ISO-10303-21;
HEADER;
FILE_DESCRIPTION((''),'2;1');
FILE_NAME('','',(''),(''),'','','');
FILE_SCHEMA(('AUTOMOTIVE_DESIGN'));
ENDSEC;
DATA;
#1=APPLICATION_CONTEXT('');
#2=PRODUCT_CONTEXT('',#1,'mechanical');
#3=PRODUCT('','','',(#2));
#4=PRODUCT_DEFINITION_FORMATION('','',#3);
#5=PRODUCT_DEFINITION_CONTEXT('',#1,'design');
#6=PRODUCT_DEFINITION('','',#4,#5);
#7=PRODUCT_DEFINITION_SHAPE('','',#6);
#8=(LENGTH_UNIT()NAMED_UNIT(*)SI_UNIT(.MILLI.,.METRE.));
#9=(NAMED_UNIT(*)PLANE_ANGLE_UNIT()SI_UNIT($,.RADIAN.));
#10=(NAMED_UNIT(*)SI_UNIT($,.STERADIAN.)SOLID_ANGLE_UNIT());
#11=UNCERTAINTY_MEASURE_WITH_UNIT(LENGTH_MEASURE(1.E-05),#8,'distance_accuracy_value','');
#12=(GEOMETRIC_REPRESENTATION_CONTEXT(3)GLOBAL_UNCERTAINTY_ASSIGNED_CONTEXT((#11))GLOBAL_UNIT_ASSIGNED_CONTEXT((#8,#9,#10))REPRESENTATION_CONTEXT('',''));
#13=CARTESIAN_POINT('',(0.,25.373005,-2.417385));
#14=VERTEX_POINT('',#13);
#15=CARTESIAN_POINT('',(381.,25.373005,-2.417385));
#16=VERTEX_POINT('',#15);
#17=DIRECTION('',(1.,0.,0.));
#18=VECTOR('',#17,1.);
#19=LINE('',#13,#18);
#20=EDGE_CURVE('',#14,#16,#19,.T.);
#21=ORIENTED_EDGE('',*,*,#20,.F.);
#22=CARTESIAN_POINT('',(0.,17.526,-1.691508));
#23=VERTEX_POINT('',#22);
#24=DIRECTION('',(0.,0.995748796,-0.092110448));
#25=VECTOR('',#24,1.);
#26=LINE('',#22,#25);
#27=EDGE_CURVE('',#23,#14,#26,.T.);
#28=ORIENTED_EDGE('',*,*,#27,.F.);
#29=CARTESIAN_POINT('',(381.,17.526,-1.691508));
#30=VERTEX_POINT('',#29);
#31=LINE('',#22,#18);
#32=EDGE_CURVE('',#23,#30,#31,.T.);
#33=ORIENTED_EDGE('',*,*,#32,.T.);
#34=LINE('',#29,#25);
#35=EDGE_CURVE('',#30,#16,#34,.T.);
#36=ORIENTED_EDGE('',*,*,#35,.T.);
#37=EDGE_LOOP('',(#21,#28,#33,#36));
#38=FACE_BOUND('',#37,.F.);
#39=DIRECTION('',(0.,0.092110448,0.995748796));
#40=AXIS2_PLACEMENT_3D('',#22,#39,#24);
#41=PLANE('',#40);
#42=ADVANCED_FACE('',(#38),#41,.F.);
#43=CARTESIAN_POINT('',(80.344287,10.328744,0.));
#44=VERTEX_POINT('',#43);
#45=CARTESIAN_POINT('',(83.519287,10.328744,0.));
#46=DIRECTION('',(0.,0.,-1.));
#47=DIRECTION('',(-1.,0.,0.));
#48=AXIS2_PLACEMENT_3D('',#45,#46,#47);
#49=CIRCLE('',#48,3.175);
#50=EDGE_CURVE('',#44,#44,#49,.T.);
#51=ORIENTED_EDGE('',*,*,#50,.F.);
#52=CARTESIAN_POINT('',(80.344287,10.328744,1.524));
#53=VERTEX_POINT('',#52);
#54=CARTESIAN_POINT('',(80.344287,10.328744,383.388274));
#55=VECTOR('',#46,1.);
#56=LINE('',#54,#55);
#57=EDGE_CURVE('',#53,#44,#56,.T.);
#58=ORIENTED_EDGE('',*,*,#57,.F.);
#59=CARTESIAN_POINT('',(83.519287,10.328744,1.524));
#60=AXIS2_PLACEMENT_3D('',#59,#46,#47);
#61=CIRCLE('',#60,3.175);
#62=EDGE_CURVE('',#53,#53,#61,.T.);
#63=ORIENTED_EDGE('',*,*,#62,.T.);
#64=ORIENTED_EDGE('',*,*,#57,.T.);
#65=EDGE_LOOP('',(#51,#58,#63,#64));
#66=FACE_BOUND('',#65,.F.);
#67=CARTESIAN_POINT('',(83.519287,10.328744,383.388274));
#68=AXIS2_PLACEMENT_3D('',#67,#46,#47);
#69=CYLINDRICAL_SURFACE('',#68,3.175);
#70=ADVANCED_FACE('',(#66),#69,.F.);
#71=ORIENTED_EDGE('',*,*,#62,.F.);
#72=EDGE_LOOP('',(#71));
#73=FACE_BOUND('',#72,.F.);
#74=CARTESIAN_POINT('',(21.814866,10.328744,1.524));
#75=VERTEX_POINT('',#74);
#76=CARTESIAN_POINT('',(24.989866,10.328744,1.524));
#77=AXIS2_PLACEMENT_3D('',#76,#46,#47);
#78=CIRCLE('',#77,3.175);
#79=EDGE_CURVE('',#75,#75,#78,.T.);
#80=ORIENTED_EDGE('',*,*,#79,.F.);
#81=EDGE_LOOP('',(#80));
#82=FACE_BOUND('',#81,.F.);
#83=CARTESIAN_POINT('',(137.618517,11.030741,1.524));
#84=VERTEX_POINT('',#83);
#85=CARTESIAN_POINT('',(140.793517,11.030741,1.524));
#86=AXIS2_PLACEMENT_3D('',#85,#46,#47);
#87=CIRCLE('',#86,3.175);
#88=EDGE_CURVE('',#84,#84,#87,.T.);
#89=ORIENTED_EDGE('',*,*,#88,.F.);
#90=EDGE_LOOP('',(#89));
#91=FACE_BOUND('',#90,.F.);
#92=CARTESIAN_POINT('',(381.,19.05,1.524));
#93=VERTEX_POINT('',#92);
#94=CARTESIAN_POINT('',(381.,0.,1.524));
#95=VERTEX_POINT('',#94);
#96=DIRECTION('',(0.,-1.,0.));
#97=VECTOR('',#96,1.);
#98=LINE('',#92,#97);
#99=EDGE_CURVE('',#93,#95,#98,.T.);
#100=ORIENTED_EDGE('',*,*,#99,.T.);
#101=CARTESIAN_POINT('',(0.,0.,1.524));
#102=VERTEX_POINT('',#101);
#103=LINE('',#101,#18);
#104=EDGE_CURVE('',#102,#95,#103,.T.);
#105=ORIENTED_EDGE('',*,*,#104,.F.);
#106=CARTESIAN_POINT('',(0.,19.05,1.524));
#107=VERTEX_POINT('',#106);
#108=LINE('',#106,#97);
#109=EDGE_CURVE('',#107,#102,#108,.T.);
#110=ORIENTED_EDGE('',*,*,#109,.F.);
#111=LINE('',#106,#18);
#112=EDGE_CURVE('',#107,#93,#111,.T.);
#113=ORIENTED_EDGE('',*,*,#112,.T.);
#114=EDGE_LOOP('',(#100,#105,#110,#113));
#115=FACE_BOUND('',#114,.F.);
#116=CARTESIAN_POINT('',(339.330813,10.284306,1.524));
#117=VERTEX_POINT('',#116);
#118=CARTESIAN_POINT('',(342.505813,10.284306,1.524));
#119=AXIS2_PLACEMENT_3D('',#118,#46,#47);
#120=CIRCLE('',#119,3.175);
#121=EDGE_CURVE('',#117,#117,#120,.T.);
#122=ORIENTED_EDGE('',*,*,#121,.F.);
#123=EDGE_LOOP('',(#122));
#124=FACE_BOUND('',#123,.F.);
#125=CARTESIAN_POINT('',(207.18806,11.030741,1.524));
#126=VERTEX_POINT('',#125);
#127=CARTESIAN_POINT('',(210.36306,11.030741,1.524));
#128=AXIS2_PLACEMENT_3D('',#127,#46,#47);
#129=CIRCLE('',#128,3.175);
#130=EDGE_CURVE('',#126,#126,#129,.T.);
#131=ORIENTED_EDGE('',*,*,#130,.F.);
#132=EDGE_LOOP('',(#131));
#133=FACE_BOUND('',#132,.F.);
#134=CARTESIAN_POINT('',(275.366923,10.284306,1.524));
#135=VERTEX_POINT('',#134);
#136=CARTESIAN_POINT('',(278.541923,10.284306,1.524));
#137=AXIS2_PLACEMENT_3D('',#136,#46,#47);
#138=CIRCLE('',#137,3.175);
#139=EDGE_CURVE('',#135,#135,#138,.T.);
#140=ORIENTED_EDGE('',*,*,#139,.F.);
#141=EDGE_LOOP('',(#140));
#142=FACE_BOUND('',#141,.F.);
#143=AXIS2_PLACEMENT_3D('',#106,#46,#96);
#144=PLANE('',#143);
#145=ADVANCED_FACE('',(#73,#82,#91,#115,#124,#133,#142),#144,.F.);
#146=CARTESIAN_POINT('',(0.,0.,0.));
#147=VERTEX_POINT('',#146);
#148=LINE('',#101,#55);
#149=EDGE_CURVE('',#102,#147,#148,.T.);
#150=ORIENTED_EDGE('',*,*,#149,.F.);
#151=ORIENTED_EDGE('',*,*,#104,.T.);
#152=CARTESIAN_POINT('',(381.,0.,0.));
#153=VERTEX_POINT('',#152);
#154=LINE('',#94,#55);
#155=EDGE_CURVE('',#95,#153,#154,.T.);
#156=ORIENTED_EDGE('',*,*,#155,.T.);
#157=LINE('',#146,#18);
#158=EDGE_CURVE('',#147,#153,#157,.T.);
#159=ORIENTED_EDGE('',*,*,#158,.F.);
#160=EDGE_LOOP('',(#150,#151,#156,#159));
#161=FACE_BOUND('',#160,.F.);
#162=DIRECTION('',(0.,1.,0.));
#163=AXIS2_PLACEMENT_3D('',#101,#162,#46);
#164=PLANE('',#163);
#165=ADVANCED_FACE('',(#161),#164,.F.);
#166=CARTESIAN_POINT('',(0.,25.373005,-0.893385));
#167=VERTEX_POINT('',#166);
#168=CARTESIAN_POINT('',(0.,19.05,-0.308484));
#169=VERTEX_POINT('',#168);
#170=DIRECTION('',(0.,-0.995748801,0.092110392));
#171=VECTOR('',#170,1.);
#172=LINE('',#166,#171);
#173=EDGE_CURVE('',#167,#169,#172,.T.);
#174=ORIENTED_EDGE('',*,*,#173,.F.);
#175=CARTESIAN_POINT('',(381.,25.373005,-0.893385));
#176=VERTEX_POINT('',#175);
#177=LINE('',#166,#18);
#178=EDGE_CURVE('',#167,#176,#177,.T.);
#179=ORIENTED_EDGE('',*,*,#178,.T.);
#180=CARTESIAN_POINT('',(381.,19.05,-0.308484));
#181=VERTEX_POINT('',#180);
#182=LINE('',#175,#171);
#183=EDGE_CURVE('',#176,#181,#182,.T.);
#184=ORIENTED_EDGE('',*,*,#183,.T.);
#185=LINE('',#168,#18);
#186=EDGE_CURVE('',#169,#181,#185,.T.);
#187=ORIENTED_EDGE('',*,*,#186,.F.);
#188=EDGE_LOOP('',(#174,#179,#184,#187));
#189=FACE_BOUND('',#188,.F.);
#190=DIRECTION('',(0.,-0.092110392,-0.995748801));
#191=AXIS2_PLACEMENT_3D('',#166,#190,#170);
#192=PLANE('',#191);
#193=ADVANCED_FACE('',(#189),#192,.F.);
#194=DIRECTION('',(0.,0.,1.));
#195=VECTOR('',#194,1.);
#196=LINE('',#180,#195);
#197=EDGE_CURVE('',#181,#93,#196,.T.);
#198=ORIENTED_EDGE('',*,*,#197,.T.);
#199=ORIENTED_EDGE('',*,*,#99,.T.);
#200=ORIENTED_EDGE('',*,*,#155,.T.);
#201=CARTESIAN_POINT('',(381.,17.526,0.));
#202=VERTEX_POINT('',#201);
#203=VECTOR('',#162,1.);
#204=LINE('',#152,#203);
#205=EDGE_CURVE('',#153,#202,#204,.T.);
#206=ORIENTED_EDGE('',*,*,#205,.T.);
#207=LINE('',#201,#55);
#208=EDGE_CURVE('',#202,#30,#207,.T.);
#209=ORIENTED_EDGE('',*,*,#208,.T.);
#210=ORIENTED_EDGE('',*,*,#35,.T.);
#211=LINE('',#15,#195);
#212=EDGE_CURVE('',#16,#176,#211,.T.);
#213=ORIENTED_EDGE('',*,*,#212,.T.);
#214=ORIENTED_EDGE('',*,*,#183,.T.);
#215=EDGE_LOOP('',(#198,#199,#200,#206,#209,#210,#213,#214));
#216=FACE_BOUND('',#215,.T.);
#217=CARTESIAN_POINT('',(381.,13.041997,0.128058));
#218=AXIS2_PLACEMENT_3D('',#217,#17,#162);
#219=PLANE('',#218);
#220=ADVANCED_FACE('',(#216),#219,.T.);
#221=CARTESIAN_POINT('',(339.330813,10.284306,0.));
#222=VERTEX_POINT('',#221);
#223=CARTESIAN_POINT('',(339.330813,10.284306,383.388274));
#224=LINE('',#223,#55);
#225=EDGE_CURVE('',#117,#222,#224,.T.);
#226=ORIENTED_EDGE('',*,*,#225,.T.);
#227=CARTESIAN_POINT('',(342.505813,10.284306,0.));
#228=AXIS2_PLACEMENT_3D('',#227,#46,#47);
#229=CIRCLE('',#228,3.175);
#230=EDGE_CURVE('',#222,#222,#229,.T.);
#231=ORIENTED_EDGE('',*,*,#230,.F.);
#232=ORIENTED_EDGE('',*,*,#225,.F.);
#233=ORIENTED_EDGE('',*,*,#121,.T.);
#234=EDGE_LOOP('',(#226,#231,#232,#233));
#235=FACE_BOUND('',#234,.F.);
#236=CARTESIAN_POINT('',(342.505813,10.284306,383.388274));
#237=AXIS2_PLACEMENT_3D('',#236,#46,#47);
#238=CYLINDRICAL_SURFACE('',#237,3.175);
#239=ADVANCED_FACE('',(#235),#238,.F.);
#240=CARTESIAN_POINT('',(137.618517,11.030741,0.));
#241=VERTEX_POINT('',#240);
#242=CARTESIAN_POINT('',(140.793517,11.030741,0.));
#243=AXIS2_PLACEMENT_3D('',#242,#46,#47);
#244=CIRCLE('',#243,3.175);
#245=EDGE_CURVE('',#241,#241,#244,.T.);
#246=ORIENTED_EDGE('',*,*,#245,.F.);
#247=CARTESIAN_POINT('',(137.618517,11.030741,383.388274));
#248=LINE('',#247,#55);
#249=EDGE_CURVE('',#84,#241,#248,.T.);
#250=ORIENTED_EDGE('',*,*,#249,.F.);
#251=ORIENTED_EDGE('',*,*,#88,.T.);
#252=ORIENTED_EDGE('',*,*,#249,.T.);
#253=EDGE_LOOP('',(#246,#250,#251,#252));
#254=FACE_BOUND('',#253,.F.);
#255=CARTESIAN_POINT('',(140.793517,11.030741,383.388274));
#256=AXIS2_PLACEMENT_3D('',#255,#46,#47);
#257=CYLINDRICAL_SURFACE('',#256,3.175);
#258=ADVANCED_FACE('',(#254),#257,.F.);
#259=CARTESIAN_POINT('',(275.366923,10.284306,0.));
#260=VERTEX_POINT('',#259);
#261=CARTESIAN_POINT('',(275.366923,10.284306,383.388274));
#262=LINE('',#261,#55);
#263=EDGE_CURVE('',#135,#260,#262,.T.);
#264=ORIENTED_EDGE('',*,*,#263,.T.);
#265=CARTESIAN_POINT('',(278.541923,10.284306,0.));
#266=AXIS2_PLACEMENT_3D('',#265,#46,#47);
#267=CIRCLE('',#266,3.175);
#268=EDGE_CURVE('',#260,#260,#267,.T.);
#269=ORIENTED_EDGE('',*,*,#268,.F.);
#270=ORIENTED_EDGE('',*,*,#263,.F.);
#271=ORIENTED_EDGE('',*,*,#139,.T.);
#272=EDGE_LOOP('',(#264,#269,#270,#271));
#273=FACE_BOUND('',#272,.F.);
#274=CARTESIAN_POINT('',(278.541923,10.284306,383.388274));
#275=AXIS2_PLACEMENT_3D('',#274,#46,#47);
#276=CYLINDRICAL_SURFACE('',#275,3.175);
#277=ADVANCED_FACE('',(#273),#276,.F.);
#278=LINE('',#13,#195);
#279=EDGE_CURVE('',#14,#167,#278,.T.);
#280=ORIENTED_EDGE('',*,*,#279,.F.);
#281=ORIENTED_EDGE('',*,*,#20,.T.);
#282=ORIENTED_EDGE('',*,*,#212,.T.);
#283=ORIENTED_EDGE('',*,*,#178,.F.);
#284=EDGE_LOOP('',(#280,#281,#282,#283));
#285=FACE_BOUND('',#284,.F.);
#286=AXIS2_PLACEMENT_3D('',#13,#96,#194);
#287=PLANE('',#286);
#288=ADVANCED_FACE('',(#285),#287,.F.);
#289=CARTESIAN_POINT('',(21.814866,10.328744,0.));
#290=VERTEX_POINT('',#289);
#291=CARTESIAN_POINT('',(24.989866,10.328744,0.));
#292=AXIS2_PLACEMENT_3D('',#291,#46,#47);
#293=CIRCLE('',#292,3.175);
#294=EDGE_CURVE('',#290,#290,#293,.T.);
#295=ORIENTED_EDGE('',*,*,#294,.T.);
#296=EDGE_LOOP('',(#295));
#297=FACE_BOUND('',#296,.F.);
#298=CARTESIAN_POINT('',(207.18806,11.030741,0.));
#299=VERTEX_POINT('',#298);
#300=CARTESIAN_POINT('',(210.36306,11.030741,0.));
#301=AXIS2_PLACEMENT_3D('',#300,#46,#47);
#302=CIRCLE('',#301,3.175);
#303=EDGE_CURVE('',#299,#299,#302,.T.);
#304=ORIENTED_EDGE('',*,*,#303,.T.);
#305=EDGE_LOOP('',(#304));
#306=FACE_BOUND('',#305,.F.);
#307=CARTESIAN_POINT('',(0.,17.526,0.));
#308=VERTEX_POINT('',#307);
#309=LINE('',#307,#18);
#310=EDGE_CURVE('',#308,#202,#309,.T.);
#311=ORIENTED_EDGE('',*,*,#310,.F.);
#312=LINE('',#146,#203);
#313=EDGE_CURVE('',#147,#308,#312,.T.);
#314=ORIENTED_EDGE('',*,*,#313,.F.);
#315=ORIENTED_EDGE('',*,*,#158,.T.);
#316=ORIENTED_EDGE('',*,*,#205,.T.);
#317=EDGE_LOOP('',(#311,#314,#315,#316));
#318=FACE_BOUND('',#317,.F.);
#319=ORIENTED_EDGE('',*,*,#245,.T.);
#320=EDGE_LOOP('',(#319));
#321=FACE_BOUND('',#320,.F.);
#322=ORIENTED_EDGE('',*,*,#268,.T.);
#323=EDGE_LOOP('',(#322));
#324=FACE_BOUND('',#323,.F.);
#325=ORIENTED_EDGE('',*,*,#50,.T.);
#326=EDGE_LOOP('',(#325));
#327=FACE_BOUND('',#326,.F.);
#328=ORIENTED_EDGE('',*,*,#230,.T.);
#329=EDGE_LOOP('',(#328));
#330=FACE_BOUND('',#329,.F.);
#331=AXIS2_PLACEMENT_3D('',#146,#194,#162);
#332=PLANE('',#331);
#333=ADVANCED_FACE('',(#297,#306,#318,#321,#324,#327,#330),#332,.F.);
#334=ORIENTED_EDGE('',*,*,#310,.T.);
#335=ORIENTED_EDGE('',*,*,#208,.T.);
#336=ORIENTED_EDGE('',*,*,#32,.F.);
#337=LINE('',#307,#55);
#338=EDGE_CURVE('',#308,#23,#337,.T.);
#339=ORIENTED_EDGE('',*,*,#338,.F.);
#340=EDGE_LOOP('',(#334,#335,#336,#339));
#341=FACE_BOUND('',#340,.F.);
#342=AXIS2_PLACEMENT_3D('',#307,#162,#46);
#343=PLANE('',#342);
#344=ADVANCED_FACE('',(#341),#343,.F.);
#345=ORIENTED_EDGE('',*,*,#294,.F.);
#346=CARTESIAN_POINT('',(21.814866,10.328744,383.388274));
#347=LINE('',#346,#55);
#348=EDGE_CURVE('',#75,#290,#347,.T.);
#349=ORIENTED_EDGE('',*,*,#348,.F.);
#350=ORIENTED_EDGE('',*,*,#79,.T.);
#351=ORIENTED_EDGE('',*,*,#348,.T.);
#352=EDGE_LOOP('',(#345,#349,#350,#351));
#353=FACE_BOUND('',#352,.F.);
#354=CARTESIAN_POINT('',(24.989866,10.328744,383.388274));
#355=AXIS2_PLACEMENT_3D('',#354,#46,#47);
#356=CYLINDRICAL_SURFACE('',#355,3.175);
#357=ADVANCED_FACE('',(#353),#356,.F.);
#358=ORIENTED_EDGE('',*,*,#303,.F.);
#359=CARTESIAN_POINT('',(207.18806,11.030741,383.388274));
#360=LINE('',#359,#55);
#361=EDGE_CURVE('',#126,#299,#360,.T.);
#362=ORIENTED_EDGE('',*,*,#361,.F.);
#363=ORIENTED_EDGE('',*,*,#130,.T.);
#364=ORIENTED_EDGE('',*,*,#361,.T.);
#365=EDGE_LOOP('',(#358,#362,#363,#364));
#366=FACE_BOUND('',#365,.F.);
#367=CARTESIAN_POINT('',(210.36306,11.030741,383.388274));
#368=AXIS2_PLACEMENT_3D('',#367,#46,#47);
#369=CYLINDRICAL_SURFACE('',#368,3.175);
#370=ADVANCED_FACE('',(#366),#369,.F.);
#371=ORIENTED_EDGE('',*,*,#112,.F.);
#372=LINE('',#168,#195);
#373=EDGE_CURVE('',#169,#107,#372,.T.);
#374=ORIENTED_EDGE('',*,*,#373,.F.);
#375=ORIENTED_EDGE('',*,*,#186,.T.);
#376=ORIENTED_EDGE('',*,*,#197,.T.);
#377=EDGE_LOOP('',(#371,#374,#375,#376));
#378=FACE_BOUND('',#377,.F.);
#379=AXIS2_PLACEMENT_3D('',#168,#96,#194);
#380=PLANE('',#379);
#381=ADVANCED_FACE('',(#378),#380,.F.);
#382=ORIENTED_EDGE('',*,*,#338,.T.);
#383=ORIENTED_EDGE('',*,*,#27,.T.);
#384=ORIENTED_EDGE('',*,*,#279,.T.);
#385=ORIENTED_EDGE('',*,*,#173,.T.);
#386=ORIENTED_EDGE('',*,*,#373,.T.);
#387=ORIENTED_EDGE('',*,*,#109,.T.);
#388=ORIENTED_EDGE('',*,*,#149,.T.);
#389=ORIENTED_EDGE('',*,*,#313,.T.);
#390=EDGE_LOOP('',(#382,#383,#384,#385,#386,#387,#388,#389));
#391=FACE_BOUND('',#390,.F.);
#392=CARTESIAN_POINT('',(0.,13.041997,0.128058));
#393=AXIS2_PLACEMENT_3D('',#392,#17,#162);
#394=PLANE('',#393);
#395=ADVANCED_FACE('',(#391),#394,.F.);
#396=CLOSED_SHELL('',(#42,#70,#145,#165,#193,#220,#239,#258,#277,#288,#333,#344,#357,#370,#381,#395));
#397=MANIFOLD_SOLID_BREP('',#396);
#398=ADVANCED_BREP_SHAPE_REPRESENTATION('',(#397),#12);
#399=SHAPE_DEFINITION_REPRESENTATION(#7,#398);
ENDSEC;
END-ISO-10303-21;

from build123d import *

# Parameters (mm, degrees)
F1_DEPTH = 381
F3_D     = 6.35


with BuildPart() as f1:
    # F0 (on Right) → F1 (new body)
    with BuildSketch(Plane.YZ):
        Polygon((0, 1.524), (0, 0), (17.526, 0), (17.526, -1.691508), (25.373005, -2.417385), (25.373005, -0.893385), (19.05, -0.308484), (19.05, 1.524), align=None)
    extrude(amount=F1_DEPTH)

    # F3 (through all)
    with Locations(Plane.XY.offset(1.524)):
        with Locations((83.519287, 10.328744), (140.793517, 11.030741), (210.36306, 11.030741), (278.541923, 10.284306), (342.505813, 10.284306), (24.989866, 10.328744)):
            Hole(F3_D / 2)


solid = f1.part
